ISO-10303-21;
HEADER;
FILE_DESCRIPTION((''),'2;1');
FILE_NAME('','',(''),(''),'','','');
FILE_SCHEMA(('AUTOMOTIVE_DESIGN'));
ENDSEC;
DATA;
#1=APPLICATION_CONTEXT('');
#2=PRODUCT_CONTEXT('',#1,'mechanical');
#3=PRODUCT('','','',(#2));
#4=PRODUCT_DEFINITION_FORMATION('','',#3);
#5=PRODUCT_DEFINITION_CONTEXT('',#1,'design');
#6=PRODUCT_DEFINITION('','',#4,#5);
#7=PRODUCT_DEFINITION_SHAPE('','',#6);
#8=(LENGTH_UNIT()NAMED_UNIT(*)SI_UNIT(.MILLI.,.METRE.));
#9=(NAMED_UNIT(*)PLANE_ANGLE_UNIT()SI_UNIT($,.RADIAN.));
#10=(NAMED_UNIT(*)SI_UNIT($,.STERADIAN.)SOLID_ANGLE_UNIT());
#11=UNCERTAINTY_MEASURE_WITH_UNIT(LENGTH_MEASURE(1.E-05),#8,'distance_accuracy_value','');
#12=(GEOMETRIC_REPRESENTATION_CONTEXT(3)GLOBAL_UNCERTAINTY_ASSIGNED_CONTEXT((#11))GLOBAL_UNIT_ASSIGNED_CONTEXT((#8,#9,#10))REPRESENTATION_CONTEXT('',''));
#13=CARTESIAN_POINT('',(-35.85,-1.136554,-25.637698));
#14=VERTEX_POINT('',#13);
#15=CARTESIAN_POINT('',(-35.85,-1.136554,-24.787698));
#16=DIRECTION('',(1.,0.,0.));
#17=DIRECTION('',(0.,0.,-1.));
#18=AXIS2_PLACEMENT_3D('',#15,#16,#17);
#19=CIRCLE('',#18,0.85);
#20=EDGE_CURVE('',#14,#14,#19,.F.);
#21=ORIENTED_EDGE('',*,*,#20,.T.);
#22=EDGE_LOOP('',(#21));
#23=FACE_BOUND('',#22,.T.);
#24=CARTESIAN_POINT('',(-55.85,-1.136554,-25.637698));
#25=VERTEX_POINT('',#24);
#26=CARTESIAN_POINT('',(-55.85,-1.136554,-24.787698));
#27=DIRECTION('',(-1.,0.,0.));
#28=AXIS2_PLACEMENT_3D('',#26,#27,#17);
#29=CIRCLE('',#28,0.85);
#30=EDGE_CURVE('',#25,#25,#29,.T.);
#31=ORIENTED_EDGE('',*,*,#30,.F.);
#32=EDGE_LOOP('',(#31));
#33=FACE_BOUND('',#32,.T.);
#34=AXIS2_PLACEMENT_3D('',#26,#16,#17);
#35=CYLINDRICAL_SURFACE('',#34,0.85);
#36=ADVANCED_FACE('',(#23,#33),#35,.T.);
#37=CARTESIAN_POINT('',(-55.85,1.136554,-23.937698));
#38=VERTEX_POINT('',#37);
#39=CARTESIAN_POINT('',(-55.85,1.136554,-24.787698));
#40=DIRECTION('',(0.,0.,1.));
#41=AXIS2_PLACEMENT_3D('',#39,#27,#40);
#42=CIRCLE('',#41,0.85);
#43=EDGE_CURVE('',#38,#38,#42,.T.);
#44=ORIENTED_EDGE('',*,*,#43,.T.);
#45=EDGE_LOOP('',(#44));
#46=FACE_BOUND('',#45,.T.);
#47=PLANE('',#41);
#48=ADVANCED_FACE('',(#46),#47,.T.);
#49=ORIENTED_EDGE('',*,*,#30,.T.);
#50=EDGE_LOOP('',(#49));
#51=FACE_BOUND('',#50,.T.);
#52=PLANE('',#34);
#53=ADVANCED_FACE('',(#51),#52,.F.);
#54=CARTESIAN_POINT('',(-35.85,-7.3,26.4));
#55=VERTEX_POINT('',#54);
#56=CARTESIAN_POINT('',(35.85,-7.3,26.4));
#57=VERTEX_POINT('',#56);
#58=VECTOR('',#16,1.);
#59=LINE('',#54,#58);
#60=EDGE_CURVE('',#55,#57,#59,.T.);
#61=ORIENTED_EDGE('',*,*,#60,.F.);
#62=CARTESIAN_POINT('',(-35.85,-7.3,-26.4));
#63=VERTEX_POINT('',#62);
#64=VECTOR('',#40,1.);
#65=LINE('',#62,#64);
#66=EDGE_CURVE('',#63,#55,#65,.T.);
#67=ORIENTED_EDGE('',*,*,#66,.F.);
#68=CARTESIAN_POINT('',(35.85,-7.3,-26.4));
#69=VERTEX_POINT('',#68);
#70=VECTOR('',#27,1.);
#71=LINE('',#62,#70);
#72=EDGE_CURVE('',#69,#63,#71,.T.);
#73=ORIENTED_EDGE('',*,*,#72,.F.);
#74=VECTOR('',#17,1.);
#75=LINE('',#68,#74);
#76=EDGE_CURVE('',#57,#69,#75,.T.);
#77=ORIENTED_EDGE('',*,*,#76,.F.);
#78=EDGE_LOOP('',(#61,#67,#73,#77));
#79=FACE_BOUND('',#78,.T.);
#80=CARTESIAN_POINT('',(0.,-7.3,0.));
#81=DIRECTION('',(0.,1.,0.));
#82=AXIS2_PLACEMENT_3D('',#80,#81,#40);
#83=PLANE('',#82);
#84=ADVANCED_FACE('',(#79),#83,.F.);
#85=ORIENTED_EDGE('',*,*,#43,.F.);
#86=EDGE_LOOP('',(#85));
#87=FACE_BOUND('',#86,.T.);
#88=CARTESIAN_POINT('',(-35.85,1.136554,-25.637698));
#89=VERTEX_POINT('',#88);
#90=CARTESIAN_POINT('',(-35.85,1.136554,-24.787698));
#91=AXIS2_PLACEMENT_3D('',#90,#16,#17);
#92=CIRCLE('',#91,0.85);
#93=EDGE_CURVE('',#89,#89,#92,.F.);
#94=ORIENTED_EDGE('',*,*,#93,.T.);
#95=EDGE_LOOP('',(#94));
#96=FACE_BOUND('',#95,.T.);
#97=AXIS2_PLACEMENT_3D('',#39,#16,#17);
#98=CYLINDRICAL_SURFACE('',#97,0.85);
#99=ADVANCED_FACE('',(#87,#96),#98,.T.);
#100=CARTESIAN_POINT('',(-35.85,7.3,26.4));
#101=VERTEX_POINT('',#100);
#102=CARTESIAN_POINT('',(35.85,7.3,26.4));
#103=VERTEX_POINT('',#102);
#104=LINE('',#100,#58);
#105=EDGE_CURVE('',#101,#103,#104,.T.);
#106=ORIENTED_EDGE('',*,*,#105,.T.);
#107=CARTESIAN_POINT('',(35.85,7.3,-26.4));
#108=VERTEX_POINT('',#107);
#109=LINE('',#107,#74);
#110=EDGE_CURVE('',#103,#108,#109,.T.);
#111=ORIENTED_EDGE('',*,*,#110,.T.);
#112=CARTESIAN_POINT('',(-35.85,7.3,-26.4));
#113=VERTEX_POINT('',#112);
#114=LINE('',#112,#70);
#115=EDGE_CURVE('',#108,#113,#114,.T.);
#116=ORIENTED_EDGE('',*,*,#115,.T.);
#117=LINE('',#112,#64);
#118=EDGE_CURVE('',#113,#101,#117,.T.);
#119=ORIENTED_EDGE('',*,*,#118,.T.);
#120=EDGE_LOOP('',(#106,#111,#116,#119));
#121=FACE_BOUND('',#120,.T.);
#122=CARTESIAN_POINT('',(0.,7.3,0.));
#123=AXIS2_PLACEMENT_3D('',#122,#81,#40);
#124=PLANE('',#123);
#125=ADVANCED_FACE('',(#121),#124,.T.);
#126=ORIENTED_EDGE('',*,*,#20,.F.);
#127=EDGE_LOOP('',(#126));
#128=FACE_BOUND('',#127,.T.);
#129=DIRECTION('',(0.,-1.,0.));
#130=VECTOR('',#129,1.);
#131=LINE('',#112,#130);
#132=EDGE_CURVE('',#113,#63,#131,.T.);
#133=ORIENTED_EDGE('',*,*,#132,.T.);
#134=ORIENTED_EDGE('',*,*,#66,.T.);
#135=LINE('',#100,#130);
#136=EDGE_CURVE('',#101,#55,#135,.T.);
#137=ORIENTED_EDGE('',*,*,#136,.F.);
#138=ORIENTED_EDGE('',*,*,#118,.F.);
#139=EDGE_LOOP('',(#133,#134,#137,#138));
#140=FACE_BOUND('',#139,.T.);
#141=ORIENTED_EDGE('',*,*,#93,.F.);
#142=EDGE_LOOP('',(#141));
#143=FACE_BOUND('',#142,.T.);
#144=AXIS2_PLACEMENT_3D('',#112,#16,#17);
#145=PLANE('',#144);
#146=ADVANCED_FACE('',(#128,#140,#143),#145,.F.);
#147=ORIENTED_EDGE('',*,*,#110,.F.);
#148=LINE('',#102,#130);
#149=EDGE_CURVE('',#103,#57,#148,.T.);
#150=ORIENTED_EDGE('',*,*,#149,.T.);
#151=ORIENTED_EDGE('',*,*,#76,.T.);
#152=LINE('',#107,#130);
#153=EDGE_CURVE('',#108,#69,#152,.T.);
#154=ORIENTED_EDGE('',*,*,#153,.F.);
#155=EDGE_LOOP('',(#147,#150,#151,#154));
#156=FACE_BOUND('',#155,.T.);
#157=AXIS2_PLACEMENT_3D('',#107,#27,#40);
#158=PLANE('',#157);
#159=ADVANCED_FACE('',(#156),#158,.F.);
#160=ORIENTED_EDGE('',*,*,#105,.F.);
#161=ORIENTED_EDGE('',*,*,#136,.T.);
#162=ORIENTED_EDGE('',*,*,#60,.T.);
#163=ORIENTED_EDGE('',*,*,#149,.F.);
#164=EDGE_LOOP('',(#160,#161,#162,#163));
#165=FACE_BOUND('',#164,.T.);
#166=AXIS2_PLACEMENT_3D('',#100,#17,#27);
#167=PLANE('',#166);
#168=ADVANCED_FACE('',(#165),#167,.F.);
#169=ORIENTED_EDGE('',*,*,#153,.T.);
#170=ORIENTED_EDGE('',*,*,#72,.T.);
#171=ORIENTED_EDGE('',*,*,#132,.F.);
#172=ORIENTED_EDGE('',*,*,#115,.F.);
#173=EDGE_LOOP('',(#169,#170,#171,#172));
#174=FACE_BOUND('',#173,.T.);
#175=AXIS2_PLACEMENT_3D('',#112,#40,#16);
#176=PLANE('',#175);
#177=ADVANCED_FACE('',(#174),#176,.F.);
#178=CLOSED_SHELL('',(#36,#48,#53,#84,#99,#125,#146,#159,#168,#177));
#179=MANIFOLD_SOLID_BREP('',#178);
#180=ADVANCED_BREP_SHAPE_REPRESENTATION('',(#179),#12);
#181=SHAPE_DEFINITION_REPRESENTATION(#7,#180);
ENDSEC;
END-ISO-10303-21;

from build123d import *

# Parameters (mm, degrees)
ESQUISSE1_W        = 71.7
ESQUISSE1_H        = 52.8
BOSS_EXTRU_1_DEPTH = 7.3
ESQUISSE2_R        = 0.85
BOSS_EXTRU_2_DEPTH = 20


with BuildPart() as part:
    # Esquisse1 → Boss.-Extru.1 (new, symmetric)
    with BuildSketch(Plane(origin=(0, 0, 0), x_dir=(1, 0, 0), z_dir=(0, 1, 0))):
        Rectangle(ESQUISSE1_W, ESQUISSE1_H)
    extrude(amount=BOSS_EXTRU_1_DEPTH, both=True)

    # Esquisse2 → Boss.-Extru.2 (add)
    with BuildSketch(Plane.ZY.offset(35.85)):
        with Locations(Location((-24.787698277, 1.136553851, 0), (0, 0, 180))):
            Circle(ESQUISSE2_R)
        with Locations(Location((-24.787698277, -1.136553851, 0), (0, 0, 180))):
            Circle(ESQUISSE2_R)
    extrude(amount=BOSS_EXTRU_2_DEPTH)


solid = part.part
